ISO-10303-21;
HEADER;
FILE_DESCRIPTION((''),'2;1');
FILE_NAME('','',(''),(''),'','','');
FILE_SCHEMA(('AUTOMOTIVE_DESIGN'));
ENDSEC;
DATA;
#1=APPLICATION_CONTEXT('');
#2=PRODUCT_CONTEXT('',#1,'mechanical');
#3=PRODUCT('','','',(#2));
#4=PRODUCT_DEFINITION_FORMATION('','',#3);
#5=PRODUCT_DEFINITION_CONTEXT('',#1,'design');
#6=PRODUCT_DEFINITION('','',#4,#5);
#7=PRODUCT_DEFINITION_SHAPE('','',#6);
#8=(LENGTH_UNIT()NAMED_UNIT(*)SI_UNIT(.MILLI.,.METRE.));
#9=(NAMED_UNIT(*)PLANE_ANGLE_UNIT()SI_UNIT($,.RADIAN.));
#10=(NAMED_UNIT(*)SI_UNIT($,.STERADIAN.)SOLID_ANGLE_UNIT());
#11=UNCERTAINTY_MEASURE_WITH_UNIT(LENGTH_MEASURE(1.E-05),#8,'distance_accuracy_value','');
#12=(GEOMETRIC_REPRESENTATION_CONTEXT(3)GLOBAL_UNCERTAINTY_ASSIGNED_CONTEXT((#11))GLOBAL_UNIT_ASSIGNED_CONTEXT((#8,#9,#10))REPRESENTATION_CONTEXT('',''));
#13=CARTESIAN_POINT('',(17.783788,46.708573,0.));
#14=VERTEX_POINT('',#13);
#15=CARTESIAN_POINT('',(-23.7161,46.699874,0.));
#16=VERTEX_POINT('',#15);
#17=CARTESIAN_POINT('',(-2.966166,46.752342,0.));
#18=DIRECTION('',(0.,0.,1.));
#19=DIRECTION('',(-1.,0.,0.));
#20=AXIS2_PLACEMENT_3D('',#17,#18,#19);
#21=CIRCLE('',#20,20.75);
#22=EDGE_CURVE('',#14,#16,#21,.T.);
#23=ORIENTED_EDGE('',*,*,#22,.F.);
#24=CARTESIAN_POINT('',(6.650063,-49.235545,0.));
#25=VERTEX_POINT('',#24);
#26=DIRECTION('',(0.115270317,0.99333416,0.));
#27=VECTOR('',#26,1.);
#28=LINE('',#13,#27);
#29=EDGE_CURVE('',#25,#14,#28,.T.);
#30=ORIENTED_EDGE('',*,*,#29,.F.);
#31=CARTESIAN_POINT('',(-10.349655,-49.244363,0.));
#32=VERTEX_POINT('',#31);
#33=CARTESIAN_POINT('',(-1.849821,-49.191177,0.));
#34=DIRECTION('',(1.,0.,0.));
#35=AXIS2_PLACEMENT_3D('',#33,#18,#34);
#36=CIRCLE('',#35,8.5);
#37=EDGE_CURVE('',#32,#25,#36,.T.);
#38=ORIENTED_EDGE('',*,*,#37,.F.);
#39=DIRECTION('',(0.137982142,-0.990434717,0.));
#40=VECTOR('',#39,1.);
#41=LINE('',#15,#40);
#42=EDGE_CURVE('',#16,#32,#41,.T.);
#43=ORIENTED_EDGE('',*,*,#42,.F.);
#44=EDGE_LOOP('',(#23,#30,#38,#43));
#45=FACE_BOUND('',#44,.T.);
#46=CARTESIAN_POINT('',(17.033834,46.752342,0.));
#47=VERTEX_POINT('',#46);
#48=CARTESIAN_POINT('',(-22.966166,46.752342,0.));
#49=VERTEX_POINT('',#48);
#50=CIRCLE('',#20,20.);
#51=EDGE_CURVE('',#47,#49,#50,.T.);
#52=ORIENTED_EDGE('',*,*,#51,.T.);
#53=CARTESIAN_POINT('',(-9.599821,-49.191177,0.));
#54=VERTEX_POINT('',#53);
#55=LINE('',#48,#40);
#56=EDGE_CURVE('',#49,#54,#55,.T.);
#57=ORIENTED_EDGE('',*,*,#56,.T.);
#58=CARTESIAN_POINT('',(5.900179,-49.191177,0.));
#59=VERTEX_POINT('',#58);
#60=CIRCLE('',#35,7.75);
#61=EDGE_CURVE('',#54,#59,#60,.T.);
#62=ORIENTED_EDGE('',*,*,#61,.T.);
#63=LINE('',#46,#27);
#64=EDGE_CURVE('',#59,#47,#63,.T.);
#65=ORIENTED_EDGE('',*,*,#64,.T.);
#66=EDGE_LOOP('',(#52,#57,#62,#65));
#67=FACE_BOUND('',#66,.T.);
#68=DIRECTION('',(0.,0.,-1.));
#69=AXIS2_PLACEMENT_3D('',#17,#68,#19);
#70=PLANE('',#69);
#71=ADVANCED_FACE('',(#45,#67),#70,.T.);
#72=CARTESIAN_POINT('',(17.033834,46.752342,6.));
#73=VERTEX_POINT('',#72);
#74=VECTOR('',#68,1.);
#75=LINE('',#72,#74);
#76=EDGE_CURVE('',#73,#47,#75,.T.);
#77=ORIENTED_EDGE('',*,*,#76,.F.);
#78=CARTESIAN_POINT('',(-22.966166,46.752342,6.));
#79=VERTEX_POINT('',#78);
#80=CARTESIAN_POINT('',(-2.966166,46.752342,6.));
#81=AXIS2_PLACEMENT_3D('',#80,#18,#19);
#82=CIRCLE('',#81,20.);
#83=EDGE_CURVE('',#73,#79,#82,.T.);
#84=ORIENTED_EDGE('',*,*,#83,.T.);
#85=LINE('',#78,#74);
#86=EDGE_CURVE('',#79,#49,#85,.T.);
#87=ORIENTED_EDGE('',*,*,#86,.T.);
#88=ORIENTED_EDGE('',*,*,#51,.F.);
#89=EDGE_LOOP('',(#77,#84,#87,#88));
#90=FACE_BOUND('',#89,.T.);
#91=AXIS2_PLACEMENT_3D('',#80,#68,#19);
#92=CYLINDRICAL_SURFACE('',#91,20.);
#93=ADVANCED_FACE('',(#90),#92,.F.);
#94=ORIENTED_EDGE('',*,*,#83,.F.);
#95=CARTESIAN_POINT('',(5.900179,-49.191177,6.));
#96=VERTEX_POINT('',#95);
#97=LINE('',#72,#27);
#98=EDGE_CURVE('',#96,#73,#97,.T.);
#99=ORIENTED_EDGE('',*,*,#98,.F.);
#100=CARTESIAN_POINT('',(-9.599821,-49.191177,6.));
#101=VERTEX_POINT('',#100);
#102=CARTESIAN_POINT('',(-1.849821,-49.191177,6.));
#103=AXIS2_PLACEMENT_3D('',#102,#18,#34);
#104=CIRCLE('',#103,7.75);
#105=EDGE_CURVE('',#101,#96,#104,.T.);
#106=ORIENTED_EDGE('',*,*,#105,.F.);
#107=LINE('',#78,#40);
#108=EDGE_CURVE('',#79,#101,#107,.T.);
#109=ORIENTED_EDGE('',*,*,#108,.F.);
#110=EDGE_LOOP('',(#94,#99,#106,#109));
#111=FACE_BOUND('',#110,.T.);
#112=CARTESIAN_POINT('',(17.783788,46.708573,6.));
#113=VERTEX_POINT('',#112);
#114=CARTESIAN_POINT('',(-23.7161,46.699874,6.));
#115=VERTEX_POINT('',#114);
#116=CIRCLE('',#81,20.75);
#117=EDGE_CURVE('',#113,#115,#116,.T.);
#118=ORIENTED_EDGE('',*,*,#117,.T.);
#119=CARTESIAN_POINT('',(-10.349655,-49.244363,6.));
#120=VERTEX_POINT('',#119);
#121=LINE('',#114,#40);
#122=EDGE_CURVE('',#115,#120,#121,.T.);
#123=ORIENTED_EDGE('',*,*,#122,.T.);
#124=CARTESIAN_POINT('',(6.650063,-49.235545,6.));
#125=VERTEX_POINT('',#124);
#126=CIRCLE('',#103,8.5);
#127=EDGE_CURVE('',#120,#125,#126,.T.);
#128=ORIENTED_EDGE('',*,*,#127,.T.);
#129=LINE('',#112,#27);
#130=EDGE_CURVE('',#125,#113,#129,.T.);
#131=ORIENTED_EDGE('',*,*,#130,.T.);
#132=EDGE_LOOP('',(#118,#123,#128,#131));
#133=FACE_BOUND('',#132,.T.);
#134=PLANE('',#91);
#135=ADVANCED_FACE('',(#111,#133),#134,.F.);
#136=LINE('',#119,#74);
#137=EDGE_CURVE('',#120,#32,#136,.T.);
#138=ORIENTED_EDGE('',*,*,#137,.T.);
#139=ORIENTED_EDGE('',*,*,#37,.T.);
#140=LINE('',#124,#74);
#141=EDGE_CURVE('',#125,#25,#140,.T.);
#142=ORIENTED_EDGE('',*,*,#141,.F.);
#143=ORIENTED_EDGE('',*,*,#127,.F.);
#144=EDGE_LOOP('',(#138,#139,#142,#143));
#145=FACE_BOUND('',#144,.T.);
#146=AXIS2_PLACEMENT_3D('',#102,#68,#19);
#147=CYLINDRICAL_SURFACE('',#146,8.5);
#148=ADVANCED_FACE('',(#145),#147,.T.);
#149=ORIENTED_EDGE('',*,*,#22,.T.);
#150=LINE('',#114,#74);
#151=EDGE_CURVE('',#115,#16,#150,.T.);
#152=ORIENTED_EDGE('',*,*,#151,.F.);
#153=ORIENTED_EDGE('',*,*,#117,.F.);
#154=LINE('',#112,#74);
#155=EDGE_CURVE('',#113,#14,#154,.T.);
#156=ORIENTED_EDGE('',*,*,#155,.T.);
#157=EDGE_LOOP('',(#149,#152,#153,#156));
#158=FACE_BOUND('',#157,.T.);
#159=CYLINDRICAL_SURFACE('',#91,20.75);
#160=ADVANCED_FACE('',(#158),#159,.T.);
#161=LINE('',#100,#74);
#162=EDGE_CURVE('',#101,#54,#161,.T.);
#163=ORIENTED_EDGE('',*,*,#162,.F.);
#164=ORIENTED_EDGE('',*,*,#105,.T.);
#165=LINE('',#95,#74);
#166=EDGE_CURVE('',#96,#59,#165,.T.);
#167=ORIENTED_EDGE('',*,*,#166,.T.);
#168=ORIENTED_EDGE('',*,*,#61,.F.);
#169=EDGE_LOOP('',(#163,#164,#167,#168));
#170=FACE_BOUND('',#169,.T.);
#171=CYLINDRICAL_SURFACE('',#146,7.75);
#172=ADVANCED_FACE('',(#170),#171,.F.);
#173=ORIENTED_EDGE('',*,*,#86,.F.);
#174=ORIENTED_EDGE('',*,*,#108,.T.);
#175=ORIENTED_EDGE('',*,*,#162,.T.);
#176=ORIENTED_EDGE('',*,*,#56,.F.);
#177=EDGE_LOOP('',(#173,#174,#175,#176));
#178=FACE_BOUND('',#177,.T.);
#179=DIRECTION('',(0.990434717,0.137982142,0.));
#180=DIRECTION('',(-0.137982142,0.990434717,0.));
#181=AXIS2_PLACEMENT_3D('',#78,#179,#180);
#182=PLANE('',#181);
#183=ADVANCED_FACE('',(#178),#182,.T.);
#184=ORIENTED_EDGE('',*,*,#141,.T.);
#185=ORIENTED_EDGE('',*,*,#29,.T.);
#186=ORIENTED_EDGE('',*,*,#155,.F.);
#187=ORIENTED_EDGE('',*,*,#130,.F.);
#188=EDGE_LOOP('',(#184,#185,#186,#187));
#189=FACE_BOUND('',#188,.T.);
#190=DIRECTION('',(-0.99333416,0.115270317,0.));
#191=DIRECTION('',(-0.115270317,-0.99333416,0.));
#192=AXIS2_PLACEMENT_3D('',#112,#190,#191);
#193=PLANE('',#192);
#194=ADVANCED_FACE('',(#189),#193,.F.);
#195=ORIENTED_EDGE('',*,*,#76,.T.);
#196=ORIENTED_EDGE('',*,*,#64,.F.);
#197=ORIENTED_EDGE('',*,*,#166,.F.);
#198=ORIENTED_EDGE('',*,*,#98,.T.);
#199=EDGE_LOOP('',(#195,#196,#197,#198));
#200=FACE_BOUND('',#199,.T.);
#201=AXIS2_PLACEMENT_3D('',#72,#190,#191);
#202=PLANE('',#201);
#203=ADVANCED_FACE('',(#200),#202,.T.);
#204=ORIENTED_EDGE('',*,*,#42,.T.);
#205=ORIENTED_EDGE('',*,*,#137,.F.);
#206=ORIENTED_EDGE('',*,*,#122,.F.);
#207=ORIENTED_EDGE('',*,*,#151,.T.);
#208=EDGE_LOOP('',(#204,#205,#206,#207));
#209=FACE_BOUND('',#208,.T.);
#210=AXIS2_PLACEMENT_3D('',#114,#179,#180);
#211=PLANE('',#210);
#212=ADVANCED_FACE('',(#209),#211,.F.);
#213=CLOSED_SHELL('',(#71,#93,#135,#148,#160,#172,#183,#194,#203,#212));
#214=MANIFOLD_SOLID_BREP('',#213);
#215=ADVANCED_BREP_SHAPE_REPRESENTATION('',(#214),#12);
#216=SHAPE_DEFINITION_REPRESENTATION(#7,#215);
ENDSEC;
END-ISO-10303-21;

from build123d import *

# Parameters (mm, degrees)
BOSS_EXTRUDE1_DEPTH = 6


with BuildPart() as part:
    # Sketch2 → Boss-Extrude1 (new body)
    with BuildSketch(Plane.XY):
        with BuildLine():
            Line((-23.716099951, 46.699873921), (-10.34965482, -49.244363016))
            ThreePointArc((-10.34965482, -49.244363016), (-1.845412366, -57.691175485), (6.650062978, -49.23554545))
            Line((6.650062978, -49.23554545), (17.783787552, 46.708573322))
            ThreePointArc((17.783787552, 46.708573322), (-2.970515998, 67.502341581), (-23.716099951, 46.699873921))
        make_face()
        with BuildLine():
            Line((-22.966166286, 46.752342036), (-9.599821222, -49.191176628))
            ThreePointArc((-9.599821222, -49.191176628), (-1.849821222, -56.941176628), (5.900178778, -49.191176628))
            Line((5.900178778, -49.191176628), (17.033833714, 46.752342036))
            ThreePointArc((17.033833714, 46.752342036), (-2.966166286, 66.752342036), (-22.966166286, 46.752342036))
        make_face(mode=Mode.SUBTRACT)
    extrude(amount=BOSS_EXTRUDE1_DEPTH)


solid = part.part
